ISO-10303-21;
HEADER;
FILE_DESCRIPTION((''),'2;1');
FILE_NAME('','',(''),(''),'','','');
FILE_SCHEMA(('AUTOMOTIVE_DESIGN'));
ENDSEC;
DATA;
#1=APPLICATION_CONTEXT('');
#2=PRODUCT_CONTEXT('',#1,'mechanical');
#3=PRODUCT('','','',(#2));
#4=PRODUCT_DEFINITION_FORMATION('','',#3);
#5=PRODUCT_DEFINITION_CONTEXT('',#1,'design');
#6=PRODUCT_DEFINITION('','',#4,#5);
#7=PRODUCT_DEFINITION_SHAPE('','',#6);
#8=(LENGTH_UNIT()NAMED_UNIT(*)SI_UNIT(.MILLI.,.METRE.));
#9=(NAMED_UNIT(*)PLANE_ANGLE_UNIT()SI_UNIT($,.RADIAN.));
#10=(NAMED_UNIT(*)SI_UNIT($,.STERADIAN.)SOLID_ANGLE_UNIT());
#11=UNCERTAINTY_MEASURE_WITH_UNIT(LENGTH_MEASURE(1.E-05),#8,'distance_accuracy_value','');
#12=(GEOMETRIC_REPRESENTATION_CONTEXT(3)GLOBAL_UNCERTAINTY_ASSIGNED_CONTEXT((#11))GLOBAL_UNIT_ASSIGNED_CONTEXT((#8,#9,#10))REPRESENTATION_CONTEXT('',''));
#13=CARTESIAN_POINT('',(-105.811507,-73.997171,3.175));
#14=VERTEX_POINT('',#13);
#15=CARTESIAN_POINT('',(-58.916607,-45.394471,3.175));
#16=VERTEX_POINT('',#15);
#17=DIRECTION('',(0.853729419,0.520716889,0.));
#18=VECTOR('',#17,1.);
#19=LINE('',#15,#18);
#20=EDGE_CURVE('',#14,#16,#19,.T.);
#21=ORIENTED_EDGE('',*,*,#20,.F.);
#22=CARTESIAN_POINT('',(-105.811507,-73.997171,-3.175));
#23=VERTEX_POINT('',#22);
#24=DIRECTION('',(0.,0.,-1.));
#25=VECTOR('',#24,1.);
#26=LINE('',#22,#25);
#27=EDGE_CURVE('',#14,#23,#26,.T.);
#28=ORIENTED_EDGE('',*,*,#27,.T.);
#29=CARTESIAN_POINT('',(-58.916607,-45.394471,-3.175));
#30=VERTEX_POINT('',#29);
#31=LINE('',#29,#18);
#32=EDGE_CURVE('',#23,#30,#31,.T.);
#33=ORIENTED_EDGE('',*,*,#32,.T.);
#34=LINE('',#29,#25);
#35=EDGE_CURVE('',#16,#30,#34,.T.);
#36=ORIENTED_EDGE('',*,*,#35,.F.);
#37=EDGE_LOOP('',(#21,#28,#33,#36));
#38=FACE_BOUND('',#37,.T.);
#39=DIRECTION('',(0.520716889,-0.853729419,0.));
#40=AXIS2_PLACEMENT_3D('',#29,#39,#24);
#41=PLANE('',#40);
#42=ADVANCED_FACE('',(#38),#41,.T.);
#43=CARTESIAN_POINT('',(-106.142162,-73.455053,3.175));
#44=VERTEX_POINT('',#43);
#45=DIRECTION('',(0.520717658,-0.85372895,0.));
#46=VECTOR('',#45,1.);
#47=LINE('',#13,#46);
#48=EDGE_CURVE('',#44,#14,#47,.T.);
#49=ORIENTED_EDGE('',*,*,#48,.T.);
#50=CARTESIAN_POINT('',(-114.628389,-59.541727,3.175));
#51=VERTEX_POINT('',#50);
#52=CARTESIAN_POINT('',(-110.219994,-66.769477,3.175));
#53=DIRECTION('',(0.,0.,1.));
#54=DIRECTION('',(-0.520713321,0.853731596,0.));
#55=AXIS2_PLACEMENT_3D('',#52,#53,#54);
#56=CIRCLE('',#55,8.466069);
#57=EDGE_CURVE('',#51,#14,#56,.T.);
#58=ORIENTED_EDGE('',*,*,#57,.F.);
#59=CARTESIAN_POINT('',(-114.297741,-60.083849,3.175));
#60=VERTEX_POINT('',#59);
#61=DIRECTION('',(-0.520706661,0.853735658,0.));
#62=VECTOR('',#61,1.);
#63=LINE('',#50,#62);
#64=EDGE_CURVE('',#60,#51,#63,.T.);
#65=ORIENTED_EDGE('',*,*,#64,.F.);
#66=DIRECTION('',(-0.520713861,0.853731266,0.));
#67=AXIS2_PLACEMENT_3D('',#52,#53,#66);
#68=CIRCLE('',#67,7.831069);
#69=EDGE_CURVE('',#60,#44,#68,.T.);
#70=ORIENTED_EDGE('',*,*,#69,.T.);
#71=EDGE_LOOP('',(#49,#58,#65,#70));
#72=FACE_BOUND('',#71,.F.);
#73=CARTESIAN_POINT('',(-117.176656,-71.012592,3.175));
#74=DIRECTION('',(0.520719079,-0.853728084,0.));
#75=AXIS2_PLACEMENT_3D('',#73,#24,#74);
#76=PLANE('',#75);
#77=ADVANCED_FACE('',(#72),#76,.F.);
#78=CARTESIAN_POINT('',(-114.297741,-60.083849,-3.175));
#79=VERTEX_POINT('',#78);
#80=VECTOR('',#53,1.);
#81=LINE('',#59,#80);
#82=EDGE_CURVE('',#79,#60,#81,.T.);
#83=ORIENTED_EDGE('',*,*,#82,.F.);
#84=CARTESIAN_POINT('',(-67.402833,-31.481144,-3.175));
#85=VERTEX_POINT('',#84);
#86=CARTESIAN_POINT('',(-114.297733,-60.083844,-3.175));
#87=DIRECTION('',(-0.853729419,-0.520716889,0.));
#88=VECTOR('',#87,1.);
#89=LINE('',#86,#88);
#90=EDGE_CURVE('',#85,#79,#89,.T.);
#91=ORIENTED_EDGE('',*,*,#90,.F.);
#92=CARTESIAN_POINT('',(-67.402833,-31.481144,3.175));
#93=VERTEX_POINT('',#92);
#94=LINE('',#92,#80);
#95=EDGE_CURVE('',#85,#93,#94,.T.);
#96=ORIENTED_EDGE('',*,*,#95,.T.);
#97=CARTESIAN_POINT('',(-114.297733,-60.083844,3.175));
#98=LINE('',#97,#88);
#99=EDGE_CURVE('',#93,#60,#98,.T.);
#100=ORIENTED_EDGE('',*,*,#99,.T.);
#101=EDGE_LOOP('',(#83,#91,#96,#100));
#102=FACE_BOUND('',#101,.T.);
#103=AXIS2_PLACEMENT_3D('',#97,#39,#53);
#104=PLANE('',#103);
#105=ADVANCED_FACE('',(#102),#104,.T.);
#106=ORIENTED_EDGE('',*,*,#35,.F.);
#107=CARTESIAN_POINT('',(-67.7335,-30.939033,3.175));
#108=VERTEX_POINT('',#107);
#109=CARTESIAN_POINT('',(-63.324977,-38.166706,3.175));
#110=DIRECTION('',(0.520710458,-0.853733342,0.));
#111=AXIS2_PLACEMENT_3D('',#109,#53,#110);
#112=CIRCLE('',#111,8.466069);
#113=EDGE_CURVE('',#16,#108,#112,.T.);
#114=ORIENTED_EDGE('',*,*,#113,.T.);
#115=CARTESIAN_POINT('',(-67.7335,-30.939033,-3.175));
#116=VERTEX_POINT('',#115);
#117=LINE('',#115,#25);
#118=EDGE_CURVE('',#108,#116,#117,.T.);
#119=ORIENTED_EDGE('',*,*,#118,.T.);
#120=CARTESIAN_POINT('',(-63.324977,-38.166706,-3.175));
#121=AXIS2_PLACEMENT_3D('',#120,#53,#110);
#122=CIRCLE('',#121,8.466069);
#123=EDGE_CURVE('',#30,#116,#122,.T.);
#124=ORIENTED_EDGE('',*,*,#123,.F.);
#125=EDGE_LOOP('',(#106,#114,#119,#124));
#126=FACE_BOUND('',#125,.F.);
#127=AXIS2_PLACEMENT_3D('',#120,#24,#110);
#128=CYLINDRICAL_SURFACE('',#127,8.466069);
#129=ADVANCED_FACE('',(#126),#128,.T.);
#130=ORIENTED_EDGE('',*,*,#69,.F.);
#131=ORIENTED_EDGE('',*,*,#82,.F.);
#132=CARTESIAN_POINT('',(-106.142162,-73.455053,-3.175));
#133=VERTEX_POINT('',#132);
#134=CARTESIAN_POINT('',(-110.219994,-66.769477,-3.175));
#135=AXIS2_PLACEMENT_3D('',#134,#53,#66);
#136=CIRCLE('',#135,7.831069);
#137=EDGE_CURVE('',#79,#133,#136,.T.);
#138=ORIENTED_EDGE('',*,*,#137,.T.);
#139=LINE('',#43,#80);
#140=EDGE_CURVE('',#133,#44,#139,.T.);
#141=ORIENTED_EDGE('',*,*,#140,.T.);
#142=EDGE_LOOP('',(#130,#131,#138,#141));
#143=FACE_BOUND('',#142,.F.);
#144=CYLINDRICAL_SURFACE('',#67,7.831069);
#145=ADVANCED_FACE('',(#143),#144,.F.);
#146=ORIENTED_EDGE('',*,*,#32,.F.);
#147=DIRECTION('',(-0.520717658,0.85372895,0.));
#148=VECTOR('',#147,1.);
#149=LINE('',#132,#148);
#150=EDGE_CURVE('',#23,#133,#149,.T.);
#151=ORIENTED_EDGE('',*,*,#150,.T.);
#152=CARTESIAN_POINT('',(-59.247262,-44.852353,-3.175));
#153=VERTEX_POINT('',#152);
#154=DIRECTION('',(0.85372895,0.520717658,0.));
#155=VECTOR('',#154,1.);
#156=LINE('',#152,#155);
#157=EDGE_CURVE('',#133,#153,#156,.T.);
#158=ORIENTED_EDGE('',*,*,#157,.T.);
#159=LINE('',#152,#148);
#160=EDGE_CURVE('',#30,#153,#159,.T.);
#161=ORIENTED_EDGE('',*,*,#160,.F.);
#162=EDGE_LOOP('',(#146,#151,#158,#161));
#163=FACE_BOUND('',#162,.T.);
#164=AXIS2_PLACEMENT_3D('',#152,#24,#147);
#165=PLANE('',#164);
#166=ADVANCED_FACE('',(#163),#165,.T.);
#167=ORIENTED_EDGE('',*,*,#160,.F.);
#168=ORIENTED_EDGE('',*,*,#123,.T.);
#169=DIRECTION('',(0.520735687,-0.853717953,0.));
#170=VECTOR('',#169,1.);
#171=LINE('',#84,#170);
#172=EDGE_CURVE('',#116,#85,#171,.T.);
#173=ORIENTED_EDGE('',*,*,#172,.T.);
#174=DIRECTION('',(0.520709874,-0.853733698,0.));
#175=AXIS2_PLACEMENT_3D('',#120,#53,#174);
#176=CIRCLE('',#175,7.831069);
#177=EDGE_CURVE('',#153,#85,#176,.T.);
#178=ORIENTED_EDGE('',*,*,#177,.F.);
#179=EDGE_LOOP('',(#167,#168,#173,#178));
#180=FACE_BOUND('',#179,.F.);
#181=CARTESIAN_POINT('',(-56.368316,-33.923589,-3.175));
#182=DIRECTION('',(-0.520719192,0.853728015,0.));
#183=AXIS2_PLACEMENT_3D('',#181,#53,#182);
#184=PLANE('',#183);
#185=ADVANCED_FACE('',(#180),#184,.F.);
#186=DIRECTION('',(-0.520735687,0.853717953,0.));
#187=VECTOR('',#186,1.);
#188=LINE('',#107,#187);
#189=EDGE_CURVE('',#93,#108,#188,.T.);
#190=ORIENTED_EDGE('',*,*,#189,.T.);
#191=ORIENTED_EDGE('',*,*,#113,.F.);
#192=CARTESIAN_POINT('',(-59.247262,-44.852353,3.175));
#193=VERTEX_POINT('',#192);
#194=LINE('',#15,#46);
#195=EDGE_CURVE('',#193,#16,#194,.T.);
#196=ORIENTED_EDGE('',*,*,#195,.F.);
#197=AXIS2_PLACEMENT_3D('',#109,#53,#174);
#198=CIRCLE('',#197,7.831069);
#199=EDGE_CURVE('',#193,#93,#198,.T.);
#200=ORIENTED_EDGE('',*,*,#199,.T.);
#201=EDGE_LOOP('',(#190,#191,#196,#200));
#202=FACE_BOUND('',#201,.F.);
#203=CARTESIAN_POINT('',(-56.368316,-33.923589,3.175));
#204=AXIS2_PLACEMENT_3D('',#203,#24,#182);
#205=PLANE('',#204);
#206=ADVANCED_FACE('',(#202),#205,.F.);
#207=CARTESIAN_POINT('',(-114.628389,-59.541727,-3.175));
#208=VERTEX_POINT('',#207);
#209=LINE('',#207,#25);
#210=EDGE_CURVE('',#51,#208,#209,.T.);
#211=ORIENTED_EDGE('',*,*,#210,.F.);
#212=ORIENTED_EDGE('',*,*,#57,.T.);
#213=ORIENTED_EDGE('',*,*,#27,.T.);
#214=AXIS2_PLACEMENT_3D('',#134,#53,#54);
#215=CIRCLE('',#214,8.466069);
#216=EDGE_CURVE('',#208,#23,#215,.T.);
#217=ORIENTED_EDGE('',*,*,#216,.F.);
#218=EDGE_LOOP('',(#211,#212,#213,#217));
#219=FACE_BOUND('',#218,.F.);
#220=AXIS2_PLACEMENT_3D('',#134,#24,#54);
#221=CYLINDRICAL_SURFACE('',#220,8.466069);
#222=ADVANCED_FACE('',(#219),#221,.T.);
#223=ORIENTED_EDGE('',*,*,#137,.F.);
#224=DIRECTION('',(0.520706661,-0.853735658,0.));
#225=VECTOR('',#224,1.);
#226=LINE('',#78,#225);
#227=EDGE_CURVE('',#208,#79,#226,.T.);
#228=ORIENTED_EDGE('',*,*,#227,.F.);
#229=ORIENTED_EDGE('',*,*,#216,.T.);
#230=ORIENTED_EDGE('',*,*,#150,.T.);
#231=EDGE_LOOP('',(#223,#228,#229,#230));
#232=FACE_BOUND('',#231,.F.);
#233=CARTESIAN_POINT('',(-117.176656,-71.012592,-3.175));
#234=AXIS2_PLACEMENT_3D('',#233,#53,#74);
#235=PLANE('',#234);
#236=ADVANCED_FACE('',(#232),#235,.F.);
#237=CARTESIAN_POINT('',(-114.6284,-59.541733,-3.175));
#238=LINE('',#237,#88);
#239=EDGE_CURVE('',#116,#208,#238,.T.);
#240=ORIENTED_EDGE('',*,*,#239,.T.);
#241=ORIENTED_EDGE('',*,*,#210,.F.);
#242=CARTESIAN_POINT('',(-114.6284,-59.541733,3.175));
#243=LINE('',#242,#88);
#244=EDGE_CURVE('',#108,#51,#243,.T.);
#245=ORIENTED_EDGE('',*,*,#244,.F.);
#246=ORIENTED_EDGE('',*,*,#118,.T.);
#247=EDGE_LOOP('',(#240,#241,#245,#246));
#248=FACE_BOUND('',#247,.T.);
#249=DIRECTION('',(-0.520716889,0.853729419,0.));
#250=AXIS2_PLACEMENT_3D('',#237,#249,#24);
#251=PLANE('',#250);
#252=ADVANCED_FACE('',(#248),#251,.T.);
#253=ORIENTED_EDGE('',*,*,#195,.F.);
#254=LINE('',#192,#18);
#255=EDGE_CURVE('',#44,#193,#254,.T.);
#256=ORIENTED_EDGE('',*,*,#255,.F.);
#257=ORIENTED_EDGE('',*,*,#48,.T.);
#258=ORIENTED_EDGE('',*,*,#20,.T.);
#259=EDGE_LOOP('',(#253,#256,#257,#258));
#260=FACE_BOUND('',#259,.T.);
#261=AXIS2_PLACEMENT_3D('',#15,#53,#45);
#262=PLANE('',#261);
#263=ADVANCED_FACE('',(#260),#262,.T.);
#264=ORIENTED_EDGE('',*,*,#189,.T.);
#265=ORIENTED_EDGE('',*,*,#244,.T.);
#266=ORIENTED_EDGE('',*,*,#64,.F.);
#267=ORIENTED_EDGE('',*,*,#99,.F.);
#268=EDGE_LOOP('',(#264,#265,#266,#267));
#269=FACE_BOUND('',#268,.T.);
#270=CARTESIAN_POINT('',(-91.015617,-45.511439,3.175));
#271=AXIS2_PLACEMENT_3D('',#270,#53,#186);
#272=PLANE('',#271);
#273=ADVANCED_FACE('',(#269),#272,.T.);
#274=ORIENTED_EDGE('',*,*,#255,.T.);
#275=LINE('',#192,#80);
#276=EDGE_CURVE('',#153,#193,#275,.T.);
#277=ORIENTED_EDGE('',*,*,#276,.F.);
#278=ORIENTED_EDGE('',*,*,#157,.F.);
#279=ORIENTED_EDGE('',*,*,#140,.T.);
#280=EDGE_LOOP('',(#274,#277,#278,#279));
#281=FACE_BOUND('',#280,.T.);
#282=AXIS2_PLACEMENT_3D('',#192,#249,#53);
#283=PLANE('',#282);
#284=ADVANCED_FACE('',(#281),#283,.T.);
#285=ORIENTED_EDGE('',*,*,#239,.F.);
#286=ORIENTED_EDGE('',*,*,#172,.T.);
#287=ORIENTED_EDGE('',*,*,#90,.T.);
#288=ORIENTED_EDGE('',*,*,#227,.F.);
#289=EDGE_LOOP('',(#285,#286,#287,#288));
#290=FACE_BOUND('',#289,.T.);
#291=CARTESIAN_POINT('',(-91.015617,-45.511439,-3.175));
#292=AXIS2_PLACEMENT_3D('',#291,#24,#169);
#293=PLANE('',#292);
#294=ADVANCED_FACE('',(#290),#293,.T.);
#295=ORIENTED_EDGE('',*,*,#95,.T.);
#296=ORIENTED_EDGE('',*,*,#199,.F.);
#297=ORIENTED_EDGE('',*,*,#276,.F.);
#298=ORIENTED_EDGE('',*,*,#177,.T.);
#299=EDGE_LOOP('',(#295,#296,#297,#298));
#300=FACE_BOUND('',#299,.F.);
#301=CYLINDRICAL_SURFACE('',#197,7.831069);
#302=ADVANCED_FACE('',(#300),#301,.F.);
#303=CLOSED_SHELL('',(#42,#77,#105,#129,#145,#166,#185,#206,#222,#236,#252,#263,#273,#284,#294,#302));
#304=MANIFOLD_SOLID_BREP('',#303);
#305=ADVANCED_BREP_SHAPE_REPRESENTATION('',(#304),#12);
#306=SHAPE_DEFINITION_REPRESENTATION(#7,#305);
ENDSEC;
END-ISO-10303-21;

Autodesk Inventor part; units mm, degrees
sketch "Sketch Path" plane through (0, 0, 0) normal (0, 0, 1) x (1, 0, 0)
  arc A0 (-114.43, -59.867) -> (-106.0099, -73.6719) centre (-110.2199, -66.7695) ccw
  arc A1 (-59.115, -45.0692) -> (-67.5351, -31.2643) centre (-63.325, -38.1667) ccw
  line L0 (-59.115, -45.0692) -> (-106.0099, -73.6719)
  line L1 (-114.43, -59.867) -> (-67.5351, -31.2643)
ref_plane "Cross Section Plane" through (-106.0099, -73.6719, 0) normal (0.8537, 0.5207, 0) x (0, 0, 1)
ref_plane "Work Plane2" through (-110.2199, -66.7695, 0) normal (-1, 0, 0) x (0, 0, 1)
ref_plane "Work Plane3" through (-63.325, -38.1667, 0) normal (-0.8724, -0.4888, 0) x (0, 0, 1)
sketch "Cross Section" plane through (-106.0099, -73.6719, 0) normal (0.8537, 0.5207, 0) x (0, 0, 1)
  line L0 (-3.175, 0.381) -> (3.175, 0.381)
  line L1 (3.175, 0.381) -> (3.175, -0.254)
  line L2 (3.175, -0.254) -> (-3.175, -0.254)
  line L3 (-3.175, -0.254) -> (-3.175, 0.381)
  line L4 (-3.175, 0) -> (3.175, 0) construction
  point P0 (0, 0)
  point P1 (0, 0)
  dimension "d0" = 6.35
  dimension "d4" = 0.254
  dimension "d5" = 0.381
sweep "Belt" add profiles "Cross Section" path "Sketch Path"
equation "\"d0\" = da_B"
equation "\"d4\" = da_a"
equation "\"d5\" = da_a2"
equation "\"da_B\" = 6.35"
equation "\"da_pb\" = 2.032"
equation "\"da_L\" = 160.659"
equation "\"da_a\" = 0.254"
equation "\"da_S\" = 1.143"
equation "\"da_Beta\" = 20deg"
equation "\"da_Ht\" = 0.508"
equation "\"da_H\" = 1.143"
equation "\"da_a2\" = 0.381"
properties part number "Synchronous Belt" material "Rubber"
